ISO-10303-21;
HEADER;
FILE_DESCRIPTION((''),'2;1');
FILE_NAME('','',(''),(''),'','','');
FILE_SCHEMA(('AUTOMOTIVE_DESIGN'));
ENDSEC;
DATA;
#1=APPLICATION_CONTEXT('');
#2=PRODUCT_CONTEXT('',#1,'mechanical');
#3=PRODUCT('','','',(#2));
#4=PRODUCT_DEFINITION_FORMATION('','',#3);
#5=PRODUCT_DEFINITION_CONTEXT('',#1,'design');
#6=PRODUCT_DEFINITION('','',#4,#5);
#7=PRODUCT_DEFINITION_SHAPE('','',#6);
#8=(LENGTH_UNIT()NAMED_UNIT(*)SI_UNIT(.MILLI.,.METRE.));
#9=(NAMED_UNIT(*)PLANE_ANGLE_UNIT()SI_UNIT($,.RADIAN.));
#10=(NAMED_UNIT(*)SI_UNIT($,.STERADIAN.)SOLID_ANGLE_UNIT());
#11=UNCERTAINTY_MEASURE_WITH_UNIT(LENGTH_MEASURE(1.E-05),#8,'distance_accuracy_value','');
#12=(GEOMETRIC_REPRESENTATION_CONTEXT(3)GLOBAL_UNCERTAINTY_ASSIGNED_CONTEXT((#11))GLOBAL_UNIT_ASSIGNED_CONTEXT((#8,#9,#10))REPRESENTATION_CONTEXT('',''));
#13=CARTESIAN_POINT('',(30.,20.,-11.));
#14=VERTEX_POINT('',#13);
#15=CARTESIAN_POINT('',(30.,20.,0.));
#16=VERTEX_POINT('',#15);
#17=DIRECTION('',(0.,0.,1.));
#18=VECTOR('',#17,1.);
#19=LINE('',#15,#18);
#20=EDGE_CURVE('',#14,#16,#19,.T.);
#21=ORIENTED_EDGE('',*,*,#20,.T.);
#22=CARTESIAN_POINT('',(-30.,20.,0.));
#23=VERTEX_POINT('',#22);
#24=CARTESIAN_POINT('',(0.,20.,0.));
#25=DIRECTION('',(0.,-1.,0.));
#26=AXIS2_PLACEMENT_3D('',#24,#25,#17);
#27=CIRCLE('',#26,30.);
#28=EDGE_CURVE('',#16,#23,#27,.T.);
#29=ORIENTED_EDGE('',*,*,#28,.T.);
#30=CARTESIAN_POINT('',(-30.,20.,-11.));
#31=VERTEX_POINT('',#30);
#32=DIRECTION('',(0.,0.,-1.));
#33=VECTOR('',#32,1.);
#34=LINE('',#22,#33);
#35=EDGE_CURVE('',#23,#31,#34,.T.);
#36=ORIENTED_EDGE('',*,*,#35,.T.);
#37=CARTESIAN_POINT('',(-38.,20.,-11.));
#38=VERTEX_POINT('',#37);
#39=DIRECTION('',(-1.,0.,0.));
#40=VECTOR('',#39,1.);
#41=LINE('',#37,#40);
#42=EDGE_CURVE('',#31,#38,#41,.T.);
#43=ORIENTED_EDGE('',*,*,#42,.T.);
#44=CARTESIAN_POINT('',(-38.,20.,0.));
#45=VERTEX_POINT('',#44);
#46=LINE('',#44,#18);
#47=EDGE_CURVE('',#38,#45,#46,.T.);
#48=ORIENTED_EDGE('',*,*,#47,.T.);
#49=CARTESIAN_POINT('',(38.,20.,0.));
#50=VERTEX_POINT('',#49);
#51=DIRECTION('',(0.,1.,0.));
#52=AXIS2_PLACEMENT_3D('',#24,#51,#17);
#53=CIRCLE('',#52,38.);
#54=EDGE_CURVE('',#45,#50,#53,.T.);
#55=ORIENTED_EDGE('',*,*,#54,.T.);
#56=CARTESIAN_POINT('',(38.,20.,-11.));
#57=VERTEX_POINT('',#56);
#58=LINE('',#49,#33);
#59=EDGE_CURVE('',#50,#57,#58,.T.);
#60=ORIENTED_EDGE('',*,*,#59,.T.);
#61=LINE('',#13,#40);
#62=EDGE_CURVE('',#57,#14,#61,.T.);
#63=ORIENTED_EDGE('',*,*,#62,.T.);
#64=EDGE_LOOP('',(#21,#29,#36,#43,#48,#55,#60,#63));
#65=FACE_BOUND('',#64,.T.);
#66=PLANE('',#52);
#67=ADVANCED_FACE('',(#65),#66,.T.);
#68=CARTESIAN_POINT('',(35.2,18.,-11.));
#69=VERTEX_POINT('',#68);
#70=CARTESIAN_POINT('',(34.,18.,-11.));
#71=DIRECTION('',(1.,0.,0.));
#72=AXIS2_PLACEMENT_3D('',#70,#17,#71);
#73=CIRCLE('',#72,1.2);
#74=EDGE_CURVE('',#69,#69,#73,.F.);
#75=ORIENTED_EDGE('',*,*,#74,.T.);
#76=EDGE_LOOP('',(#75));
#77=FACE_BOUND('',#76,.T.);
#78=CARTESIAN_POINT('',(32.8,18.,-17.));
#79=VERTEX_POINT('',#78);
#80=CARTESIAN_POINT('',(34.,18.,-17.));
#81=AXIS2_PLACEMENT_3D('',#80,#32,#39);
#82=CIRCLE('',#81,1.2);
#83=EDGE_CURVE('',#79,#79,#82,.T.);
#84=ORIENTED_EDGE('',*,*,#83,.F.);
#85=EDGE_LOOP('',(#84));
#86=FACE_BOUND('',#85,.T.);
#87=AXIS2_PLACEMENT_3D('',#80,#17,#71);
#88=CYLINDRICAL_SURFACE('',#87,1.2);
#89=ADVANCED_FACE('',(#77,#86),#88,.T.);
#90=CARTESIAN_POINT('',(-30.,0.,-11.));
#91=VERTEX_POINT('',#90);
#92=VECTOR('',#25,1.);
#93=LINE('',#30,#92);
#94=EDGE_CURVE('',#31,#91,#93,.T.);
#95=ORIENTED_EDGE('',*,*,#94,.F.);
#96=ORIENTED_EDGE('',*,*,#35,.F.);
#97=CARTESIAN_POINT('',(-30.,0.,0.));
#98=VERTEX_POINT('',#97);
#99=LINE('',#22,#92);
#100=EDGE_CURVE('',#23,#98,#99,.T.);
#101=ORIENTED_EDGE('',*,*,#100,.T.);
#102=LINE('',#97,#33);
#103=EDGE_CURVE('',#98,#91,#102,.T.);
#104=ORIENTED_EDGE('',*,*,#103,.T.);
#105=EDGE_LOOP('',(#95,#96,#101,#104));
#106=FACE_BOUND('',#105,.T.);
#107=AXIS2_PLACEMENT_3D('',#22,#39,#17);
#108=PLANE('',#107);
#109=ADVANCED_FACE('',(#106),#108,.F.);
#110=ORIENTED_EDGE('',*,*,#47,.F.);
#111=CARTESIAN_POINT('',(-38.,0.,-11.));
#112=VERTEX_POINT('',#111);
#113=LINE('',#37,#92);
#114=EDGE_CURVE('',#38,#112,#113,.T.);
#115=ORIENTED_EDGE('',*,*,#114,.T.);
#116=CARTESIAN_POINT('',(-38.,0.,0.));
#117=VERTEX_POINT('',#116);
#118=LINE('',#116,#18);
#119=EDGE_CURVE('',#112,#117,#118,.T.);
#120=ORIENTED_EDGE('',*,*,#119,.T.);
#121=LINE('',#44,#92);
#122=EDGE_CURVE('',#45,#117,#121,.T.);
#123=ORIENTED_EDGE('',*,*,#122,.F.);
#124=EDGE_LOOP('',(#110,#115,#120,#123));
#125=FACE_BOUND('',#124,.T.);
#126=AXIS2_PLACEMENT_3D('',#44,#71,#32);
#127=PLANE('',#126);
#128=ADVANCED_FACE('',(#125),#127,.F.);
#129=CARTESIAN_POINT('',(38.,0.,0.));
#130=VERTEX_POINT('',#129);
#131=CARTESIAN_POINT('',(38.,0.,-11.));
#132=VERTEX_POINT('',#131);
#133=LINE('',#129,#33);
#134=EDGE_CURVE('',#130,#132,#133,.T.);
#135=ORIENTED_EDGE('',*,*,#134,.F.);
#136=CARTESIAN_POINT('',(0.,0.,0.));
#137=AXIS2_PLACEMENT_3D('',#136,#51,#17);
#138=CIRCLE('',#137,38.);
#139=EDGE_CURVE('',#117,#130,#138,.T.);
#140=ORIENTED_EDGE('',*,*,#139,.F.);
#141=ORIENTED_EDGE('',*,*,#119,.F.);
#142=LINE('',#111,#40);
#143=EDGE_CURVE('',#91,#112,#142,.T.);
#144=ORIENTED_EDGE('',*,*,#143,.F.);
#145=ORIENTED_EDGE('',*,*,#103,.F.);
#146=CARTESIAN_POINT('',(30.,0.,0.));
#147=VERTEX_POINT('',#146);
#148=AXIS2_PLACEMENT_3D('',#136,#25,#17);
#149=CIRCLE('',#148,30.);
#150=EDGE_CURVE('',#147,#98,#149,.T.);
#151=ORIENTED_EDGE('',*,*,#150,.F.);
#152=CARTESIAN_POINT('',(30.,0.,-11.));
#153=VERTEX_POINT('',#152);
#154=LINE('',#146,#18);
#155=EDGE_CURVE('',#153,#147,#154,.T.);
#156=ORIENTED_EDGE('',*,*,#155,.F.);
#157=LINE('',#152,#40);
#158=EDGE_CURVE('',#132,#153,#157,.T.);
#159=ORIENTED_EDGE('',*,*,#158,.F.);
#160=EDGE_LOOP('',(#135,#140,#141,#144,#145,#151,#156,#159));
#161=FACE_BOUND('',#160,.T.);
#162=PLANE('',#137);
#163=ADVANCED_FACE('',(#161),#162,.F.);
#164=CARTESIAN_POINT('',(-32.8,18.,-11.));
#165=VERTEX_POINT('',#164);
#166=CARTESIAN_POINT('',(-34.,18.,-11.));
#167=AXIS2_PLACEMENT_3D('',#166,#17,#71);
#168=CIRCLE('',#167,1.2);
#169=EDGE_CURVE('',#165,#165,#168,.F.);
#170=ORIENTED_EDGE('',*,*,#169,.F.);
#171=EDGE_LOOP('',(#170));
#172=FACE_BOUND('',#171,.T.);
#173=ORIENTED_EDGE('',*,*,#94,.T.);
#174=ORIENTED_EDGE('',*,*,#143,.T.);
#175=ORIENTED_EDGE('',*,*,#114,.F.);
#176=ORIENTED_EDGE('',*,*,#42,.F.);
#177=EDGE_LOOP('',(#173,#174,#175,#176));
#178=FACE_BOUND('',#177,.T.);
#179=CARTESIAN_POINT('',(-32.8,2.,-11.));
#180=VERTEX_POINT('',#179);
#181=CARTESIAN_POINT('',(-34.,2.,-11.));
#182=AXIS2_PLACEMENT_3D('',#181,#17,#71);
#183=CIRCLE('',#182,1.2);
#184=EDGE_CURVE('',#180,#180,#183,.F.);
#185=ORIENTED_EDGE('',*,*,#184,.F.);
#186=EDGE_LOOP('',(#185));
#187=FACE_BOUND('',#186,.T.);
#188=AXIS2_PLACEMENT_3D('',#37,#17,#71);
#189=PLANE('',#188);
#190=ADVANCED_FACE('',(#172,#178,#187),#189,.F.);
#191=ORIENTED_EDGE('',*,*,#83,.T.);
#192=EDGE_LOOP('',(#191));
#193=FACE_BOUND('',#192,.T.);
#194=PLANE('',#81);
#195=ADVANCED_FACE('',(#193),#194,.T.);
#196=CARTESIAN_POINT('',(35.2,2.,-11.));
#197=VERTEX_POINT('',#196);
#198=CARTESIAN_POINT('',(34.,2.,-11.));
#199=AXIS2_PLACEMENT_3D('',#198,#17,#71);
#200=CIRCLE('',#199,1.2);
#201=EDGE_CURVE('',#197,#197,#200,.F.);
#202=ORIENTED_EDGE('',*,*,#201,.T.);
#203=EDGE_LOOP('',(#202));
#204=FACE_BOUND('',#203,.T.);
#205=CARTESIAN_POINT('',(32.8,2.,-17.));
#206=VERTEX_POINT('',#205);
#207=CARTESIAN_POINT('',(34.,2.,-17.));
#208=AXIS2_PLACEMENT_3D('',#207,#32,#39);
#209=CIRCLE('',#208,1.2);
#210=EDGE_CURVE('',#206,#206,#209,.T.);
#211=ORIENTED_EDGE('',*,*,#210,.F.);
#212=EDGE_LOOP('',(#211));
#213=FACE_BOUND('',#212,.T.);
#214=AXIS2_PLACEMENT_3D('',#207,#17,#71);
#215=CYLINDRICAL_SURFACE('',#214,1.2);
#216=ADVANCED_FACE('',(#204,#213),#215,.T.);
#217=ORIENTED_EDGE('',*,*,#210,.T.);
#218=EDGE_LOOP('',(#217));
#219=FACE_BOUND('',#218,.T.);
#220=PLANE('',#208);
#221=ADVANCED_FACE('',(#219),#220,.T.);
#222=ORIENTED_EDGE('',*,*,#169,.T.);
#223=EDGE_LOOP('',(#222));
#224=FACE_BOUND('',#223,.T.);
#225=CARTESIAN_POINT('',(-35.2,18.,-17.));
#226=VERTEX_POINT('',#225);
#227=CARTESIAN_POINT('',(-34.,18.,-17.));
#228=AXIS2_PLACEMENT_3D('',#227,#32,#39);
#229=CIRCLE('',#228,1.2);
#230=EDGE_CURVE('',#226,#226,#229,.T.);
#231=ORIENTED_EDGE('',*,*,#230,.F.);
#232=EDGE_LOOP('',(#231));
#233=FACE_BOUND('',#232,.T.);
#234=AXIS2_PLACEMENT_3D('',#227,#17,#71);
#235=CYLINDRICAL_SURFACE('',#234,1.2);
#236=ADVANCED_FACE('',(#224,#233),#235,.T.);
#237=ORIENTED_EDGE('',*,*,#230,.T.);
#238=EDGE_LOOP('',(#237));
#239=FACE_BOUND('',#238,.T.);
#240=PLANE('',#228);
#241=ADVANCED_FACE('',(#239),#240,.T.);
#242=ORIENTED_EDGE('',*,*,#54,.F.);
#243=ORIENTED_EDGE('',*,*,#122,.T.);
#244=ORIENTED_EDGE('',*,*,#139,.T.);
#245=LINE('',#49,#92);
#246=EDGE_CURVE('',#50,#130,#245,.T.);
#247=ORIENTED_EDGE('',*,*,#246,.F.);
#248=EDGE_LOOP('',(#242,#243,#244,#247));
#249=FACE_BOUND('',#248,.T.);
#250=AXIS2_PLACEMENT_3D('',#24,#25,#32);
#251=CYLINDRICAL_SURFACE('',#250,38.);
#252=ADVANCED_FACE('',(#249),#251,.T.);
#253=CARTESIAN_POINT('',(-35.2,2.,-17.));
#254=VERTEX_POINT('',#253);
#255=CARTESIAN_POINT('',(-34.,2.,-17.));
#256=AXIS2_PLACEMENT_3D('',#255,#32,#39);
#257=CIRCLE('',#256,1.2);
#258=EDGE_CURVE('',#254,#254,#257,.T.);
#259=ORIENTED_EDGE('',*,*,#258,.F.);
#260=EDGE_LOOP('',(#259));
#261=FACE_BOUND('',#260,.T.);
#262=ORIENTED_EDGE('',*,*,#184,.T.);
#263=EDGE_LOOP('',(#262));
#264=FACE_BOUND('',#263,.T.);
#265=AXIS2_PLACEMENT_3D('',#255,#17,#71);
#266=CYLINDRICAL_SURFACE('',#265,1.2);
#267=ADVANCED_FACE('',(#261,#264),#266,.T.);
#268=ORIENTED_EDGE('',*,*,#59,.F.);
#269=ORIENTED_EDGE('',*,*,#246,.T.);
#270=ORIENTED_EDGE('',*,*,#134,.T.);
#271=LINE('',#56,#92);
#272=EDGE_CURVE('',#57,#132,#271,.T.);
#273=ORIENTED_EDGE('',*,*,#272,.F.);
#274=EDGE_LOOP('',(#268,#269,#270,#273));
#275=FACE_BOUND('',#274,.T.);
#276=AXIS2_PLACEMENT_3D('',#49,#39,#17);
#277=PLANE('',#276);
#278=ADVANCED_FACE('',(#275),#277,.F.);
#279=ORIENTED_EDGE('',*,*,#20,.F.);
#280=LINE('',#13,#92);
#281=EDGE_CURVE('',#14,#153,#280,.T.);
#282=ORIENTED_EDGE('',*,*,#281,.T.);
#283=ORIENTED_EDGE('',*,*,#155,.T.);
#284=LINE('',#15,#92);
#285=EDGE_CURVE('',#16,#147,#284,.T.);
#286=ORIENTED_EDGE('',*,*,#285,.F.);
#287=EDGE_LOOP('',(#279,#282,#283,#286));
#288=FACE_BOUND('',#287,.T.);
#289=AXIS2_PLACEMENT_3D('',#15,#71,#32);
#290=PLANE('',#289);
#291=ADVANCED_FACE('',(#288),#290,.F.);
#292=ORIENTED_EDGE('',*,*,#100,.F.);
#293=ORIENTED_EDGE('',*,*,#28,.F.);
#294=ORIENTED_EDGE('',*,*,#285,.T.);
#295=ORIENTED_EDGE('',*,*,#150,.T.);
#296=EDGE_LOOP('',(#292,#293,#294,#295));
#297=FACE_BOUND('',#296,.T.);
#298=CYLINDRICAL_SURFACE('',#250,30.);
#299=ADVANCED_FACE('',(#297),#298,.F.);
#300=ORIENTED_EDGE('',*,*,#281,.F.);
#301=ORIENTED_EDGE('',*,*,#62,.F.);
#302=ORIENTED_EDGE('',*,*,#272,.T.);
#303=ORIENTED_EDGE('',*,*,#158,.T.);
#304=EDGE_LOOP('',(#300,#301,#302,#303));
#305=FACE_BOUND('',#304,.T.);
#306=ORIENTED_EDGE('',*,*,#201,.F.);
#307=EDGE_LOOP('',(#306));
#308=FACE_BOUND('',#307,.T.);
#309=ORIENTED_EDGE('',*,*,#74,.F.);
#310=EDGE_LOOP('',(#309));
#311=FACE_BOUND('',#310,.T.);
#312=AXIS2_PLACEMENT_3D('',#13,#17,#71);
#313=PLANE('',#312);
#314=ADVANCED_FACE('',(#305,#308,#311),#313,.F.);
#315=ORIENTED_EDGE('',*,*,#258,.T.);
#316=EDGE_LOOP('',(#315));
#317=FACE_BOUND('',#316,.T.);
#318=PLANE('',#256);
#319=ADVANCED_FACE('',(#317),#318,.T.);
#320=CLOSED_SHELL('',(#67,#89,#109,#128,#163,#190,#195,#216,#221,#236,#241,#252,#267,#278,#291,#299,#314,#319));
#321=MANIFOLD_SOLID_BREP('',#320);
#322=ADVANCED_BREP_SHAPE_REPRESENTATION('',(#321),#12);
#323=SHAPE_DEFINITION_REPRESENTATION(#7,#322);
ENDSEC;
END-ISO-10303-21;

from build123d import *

# Parameters (mm, degrees)
EXTRUDE_1_DEPTH = 20
SKETCH_3_R      = 1.2
EXTRUDE_2_DEPTH = 6


with BuildPart() as part:
    # 草图2 → 凸台-拉伸1 (new body)
    with BuildSketch(Plane(origin=(0, 0, 0), x_dir=(1, 0, 0), z_dir=(0, 1, 0))):
        with BuildLine():
            Line((-30, 0), (-30, 11))
            Line((-30, 11), (-38, 11))
            Line((-38, 11), (-38, 0))
            ThreePointArc((-38, 0), (0, -38), (38, 0))
            Line((38, 0), (38, 11))
            Line((38, 11), (30, 11))
            Line((30, 11), (30, 0))
            ThreePointArc((30, 0), (0, -30), (-30, 0))
        make_face()
    extrude(amount=EXTRUDE_1_DEPTH)

    # 草图3 → 凸台-拉伸2 (add)
    with BuildSketch(Plane(origin=(0, 0, -11), x_dir=(-1, 0, 0), z_dir=(0, 0, -1))):
        with Locations((-34, 18)):
            Circle(SKETCH_3_R)
        with Locations((-34, 2)):
            Circle(SKETCH_3_R)
        with Locations((34, 18)):
            Circle(SKETCH_3_R)
        with Locations((34, 2)):
            Circle(SKETCH_3_R)
    extrude(amount=EXTRUDE_2_DEPTH)


solid = part.part
